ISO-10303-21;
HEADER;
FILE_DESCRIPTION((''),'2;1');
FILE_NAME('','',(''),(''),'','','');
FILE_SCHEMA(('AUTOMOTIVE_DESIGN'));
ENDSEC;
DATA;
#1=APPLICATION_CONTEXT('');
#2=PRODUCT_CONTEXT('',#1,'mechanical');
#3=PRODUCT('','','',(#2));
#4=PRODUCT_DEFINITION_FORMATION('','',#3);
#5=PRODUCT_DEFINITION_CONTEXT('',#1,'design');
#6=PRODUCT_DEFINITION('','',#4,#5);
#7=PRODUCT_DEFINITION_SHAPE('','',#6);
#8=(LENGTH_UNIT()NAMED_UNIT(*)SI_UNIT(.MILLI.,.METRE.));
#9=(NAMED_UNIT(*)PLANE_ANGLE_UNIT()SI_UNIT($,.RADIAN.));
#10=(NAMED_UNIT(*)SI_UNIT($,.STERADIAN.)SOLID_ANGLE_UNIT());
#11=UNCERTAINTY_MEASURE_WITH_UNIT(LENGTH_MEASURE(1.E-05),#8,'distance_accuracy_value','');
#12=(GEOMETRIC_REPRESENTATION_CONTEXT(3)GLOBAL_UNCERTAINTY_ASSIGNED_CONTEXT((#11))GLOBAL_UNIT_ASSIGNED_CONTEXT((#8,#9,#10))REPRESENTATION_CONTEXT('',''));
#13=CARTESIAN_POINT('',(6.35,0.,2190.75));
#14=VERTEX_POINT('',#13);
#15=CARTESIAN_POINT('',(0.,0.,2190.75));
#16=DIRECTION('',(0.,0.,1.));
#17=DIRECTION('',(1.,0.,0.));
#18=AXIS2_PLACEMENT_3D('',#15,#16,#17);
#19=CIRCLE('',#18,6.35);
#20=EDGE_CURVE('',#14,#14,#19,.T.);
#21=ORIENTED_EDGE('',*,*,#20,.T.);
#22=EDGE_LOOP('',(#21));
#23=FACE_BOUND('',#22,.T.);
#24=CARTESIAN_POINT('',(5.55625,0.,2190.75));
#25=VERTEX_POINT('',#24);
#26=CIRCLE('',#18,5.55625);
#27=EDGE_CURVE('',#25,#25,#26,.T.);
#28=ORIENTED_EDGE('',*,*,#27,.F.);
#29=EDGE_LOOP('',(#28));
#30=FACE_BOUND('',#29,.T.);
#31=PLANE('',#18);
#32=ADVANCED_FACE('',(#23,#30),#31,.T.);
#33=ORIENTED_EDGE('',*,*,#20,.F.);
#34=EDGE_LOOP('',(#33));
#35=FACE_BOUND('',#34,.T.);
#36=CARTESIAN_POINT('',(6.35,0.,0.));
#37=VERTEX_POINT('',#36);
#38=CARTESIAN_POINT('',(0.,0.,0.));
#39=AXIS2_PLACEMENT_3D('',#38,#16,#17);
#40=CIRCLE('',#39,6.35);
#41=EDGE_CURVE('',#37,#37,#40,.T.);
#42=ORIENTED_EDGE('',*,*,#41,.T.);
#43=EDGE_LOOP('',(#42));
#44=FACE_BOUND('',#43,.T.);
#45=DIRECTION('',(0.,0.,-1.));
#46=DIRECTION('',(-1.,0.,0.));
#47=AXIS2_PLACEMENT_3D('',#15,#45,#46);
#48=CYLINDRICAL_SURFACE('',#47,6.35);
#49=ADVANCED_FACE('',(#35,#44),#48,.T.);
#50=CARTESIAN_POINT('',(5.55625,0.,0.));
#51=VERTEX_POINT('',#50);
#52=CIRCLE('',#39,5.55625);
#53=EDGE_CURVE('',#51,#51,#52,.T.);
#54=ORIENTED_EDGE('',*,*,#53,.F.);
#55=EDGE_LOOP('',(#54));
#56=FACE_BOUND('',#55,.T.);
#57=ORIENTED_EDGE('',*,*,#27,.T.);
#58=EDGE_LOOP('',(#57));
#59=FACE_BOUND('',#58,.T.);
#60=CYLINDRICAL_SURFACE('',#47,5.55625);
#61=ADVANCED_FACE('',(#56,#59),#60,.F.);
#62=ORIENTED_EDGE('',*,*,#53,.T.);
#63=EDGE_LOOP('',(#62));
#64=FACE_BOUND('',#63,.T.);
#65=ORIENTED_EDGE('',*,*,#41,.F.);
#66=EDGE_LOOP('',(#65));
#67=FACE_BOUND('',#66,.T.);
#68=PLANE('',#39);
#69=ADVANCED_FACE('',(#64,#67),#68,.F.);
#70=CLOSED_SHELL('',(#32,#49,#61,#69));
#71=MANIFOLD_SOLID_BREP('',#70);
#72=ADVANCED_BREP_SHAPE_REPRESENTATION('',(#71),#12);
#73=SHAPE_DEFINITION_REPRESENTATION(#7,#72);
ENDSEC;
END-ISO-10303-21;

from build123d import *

# Parameters (mm, degrees)
SKETCH1_R           = 6.35
SKETCH1_R_2         = 5.55625
BOSS_EXTRUDE1_DEPTH = 2190.75


with BuildPart() as part:
    # Sketch1 → Boss-Extrude1 (new body)
    with BuildSketch(Plane.XY):
        Circle(SKETCH1_R)
        Circle(SKETCH1_R_2, mode=Mode.SUBTRACT)
    extrude(amount=BOSS_EXTRUDE1_DEPTH)


solid = part.part
